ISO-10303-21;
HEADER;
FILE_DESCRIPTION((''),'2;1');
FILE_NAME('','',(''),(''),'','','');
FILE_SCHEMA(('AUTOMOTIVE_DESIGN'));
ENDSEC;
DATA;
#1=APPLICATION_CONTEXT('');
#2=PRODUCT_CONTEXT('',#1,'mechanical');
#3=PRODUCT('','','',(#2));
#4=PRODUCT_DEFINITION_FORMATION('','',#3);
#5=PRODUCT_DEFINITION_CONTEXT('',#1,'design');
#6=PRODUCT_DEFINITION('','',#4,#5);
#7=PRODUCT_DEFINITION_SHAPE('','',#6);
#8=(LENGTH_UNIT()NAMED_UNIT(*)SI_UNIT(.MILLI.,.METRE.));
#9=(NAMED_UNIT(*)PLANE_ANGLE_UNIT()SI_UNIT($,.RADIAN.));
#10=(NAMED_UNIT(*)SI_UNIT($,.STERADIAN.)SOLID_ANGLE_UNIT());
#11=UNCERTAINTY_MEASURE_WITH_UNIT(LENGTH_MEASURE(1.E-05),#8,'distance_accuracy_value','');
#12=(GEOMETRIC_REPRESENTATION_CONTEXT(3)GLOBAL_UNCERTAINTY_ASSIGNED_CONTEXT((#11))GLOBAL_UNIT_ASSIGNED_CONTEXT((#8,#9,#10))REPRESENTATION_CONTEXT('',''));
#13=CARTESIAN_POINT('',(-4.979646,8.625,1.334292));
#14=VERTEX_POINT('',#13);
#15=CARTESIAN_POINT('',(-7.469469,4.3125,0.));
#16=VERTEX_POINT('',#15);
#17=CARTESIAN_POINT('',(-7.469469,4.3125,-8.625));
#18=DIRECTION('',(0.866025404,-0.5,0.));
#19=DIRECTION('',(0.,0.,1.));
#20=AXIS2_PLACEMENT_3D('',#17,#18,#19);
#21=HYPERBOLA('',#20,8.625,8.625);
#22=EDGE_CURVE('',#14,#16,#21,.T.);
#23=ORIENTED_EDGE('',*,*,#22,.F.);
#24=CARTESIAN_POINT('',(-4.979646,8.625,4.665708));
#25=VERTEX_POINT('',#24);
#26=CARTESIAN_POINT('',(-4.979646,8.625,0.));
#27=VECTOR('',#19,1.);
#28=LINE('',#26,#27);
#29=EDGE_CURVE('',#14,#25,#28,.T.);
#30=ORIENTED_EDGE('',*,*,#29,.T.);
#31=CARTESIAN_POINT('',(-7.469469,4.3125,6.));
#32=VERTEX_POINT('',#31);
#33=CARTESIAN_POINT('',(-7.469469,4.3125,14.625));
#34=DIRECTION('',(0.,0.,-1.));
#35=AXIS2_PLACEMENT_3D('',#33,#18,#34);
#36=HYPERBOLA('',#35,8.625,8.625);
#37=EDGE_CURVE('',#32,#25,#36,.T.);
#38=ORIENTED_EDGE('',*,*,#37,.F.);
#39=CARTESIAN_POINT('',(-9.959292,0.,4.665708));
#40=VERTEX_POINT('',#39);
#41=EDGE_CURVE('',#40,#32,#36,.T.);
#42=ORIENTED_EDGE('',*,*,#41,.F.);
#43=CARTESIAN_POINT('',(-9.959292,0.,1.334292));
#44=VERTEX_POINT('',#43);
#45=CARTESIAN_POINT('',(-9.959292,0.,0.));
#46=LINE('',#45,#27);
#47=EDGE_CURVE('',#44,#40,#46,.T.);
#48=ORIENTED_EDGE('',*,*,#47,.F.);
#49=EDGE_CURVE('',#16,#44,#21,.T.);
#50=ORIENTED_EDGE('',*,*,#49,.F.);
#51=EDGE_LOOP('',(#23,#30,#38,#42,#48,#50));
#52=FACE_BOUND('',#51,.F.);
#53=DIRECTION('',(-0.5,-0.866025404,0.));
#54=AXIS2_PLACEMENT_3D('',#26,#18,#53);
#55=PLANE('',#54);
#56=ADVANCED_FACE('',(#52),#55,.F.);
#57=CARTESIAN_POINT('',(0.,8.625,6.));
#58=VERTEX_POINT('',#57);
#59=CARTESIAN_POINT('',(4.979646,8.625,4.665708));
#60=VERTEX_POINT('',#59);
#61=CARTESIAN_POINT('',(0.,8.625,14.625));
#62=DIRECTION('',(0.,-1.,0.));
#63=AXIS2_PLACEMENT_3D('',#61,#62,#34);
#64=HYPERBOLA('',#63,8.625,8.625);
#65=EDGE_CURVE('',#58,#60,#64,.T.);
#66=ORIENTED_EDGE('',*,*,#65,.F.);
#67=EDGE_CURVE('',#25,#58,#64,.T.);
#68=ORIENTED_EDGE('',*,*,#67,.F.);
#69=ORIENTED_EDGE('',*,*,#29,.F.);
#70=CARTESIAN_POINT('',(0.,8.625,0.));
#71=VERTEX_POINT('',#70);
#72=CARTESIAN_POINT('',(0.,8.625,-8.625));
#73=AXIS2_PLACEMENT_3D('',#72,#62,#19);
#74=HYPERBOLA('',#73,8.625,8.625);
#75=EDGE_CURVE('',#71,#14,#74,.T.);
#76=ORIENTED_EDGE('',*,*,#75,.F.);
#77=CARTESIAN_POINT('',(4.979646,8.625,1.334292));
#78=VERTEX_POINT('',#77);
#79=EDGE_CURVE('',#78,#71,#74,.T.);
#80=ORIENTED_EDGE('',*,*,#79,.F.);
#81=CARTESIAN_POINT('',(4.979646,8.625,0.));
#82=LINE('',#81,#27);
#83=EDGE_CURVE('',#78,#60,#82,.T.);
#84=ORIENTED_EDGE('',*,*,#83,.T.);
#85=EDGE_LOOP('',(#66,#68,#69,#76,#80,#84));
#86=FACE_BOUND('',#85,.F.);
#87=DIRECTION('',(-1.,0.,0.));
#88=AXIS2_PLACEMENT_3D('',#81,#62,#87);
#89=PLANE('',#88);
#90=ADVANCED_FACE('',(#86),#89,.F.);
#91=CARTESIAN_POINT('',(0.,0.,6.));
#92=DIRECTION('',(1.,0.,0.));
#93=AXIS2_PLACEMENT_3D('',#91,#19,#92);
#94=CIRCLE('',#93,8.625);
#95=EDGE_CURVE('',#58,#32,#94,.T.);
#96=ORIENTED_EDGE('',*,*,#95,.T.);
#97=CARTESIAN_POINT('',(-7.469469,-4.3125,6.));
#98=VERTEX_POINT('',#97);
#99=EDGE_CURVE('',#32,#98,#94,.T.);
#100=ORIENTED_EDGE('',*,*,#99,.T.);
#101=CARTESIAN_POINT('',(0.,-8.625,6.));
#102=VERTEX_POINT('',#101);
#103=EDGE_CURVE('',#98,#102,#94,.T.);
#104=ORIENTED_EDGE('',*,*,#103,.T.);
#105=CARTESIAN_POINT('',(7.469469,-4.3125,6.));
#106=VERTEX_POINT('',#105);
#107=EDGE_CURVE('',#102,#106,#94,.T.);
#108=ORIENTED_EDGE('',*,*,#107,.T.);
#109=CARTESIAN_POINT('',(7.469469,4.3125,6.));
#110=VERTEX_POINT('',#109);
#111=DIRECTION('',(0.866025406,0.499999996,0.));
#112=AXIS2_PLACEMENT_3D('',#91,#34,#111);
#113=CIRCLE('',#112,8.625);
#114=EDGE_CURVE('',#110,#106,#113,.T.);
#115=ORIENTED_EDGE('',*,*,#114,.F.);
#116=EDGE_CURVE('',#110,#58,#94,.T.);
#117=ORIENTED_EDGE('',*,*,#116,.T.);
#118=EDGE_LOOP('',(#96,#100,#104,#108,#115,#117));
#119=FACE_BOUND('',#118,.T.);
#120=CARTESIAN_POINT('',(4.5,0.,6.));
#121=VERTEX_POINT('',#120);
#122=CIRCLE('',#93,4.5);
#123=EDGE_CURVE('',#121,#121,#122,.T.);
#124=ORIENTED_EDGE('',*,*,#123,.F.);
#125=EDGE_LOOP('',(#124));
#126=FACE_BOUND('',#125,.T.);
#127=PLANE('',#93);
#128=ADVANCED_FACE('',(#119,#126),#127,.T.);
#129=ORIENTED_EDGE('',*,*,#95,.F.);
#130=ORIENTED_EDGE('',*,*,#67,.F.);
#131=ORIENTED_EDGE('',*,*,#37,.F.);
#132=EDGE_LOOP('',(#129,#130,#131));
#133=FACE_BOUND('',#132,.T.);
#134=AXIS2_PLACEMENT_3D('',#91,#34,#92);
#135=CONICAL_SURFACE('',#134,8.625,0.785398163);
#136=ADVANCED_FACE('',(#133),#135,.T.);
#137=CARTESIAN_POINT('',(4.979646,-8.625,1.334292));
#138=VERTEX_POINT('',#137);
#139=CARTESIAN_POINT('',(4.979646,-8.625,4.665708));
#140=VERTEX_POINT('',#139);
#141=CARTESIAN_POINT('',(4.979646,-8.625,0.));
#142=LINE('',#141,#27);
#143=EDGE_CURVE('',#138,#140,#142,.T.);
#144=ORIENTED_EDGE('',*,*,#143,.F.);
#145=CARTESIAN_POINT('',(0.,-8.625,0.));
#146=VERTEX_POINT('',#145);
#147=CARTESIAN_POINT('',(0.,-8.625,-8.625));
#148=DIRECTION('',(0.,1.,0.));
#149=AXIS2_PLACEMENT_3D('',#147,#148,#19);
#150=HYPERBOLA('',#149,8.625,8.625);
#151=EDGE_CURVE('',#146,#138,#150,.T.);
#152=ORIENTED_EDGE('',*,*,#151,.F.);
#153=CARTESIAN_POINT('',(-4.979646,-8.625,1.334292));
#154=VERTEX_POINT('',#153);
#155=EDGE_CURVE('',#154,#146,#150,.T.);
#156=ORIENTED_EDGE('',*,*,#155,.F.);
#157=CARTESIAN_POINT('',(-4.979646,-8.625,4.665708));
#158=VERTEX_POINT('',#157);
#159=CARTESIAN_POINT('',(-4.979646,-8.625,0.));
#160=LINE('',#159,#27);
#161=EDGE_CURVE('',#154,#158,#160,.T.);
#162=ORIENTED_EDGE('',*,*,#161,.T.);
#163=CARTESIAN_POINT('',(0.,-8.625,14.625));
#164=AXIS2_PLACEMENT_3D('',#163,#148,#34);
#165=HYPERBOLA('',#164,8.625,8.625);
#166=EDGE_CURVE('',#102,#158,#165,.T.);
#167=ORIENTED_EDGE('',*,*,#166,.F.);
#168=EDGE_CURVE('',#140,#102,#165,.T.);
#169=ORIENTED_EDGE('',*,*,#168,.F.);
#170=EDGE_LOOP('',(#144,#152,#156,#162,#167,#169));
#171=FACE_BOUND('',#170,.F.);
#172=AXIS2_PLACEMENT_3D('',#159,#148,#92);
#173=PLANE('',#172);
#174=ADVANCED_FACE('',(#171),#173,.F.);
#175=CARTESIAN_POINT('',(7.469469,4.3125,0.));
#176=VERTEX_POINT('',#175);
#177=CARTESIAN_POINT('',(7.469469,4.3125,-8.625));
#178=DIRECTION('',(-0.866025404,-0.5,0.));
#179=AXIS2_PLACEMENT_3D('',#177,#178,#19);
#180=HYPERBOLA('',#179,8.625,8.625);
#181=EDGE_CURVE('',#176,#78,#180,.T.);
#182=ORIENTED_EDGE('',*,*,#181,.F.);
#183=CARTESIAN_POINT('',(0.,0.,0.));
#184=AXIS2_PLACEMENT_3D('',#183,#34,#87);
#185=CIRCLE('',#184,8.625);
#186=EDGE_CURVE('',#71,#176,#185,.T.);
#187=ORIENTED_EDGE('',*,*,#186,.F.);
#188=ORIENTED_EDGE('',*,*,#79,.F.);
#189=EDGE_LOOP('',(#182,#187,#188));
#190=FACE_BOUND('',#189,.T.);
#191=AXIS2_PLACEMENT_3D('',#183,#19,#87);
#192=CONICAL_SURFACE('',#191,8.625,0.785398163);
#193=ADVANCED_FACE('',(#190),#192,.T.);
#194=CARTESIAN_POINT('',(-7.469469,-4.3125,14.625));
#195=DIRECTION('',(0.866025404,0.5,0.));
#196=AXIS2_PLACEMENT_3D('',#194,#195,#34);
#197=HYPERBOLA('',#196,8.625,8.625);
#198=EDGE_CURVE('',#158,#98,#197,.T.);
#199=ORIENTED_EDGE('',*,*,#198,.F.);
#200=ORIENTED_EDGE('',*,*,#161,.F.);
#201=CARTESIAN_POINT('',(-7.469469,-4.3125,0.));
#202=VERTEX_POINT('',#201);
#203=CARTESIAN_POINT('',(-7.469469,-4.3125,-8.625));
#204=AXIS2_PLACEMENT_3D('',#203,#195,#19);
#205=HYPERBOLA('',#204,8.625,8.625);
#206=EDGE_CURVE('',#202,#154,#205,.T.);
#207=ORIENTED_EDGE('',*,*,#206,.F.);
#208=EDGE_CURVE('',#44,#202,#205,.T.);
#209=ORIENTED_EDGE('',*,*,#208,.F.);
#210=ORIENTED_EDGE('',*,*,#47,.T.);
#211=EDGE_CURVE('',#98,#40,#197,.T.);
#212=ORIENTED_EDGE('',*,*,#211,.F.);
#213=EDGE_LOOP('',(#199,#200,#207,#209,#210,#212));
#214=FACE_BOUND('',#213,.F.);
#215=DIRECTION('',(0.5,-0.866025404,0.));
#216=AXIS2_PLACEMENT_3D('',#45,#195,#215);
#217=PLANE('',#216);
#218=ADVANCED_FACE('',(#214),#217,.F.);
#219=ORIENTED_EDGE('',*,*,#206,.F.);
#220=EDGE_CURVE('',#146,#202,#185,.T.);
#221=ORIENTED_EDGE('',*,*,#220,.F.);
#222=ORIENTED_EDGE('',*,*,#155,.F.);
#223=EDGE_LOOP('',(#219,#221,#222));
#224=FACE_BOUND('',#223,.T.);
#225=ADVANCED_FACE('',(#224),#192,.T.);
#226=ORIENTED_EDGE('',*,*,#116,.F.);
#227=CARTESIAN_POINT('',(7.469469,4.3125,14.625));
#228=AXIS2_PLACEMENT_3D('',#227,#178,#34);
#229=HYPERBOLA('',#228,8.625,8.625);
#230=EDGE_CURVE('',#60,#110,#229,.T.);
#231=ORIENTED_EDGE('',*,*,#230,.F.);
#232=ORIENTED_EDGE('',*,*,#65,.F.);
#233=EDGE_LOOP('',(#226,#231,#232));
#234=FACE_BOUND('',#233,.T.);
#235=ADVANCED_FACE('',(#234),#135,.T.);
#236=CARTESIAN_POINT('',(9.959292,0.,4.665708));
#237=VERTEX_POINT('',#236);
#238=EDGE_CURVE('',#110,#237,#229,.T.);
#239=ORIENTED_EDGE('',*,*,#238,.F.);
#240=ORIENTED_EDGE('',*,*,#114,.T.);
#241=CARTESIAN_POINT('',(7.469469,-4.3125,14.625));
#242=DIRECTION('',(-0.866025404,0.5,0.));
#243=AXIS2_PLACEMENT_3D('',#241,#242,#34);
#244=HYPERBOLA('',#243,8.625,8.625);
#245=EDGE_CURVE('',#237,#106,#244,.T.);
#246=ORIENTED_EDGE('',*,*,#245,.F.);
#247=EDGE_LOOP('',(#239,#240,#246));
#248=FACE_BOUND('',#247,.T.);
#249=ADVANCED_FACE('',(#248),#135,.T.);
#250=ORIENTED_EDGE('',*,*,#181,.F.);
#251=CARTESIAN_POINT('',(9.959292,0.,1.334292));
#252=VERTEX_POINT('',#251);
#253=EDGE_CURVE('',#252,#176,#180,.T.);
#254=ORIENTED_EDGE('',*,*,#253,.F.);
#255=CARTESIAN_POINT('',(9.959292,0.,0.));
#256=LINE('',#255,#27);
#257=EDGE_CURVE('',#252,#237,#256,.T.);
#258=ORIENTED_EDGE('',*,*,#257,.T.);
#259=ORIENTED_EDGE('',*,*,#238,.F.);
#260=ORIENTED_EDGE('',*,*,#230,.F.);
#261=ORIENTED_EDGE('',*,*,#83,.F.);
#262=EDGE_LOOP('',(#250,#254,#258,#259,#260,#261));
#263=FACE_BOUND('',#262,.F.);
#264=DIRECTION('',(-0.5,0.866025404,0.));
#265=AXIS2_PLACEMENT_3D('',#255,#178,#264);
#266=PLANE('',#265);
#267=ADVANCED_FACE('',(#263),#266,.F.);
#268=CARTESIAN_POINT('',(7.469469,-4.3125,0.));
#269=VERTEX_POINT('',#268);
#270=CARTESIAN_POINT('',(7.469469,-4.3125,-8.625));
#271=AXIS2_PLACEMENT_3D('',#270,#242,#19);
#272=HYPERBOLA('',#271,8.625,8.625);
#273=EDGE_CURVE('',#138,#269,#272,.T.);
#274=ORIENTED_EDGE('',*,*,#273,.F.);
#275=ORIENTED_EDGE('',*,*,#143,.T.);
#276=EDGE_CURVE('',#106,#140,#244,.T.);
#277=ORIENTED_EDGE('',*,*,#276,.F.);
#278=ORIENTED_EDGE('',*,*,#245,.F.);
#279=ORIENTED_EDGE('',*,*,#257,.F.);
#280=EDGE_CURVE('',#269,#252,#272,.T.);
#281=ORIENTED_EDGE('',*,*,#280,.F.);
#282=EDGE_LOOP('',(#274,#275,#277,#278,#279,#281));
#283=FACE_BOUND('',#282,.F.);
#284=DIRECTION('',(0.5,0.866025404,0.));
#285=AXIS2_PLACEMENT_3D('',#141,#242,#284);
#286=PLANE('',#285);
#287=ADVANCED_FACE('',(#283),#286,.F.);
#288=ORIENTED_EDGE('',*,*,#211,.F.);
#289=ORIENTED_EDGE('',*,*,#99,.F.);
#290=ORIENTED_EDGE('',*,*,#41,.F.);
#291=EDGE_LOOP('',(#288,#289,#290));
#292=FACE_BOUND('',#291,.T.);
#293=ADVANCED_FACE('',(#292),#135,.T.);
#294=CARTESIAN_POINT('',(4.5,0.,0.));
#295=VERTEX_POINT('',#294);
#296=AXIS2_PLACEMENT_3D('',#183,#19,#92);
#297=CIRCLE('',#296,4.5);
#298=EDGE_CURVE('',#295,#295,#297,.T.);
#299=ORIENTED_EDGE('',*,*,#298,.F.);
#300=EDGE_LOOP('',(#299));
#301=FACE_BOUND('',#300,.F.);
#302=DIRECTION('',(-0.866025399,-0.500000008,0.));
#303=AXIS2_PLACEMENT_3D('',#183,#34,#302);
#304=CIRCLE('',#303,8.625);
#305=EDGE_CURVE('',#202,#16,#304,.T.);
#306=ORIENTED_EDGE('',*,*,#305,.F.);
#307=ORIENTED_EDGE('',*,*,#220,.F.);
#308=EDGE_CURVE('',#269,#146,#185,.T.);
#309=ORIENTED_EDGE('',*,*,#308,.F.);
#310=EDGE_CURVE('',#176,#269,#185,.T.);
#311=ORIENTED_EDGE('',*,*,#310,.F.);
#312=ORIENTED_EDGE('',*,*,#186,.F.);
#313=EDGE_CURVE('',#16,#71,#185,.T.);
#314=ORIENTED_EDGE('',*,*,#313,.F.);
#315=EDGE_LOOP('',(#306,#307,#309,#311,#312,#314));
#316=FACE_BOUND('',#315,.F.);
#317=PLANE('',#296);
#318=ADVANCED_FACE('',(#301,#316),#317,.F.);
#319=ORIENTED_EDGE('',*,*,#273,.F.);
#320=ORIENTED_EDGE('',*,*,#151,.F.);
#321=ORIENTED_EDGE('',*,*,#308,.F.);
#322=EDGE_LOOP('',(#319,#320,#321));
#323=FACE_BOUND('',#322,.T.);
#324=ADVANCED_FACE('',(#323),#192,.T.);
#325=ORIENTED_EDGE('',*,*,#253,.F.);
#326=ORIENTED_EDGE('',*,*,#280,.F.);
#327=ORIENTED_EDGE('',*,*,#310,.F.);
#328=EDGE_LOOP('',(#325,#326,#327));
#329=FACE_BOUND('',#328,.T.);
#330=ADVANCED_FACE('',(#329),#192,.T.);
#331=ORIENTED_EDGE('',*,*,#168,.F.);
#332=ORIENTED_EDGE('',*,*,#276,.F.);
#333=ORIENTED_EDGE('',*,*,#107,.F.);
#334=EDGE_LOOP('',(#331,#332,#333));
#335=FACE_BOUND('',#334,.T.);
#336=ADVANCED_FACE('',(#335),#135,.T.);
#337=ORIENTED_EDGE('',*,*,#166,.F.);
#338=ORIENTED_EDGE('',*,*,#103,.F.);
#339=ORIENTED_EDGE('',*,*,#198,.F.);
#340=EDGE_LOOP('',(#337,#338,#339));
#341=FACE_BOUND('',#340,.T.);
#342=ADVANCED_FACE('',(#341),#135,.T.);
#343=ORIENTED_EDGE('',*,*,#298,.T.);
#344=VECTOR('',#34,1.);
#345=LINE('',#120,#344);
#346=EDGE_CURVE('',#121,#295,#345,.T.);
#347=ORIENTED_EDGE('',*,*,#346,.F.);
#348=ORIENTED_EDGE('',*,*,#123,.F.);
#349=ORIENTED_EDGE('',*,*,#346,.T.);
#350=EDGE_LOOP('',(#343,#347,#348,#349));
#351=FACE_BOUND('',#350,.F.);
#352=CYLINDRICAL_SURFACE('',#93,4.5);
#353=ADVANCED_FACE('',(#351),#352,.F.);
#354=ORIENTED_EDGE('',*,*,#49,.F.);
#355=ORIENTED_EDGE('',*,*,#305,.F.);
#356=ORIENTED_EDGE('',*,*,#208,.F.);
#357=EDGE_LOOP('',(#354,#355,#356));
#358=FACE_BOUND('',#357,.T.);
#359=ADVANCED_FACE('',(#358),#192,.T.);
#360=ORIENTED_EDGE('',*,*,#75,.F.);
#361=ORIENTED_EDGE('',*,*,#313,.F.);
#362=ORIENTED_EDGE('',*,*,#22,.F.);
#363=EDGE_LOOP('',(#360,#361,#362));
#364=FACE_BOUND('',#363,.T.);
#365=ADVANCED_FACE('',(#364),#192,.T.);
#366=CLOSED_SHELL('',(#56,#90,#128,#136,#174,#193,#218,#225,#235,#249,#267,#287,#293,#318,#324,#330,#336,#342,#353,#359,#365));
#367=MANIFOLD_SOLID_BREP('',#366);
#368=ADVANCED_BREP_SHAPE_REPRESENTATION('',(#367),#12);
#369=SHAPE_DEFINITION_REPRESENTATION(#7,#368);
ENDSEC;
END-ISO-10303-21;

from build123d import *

# Parameters (mm, degrees)
BOSS_EXTRUDE1_DEPTH = 6
SKETCH2_OUTSIDE_W   = 39.322
SKETCH2_OUTSIDE_H   = 36.654
SKETCH2_OUTSIDE_R   = 8.625
CUT_EXTRUDE1_DEPTH  = 6
CUT_EXTRUDE1_DRAFT  = -45
SKETCH3_OUTSIDE_W   = 39.322
SKETCH3_OUTSIDE_H   = 36.654
SKETCH3_OUTSIDE_R   = 8.625
CUT_EXTRUDE2_DEPTH  = 6
CUT_EXTRUDE2_DRAFT  = -45
SKETCH4_R           = 4.5
CUT_EXTRUDE3_DEPTH  = 7


with BuildPart() as part:
    # Sketch1 → Boss-Extrude1 (new body)
    with BuildSketch(Plane.XY):
        Polygon((9.959292144, 0), (4.979646072, 8.625), (-4.979646072, 8.625), (-9.959292144, 0), (-4.979646072, -8.625), (4.979646072, -8.625), align=None)
    extrude(amount=BOSS_EXTRUDE1_DEPTH)


with BuildPart() as cut_extrude1_tool:
    # Sketch2 outside → Cut-Extrude1 (with draft: the straight prism first)
    with BuildSketch(Plane.XY.offset(6)):
        Rectangle(SKETCH2_OUTSIDE_W, SKETCH2_OUTSIDE_H)
        Circle(SKETCH2_OUTSIDE_R, mode=Mode.SUBTRACT)
    extrude(amount=-CUT_EXTRUDE1_DEPTH)
    # Cut-Extrude1: the draft: its side faces are tilted about the plane it starts from
    cut_extrude1_sides = [cut_extrude1_tool.faces().sort_by_distance(p)[0] for p in [
        (0, -18.327, 3),
        (19.661, 0, 3),
        (0, 18.327, 3),
        (-19.661, 0, 3),
        (-8.625, 0, 3),
    ]]
    draft(cut_extrude1_sides, Plane.XY.offset(6), CUT_EXTRUDE1_DRAFT)


with BuildPart() as part_1:
    add(part.part)

    # Cut-Extrude1: cut by cut_extrude1_tool
    add(cut_extrude1_tool.part, mode=Mode.SUBTRACT)


with BuildPart() as cut_extrude2_tool:
    # Sketch3 outside → Cut-Extrude2 (with draft: the straight prism first)
    with BuildSketch(Plane(origin=(0, 0, 0), x_dir=(-1, 0, 0), z_dir=(0, 0, -1))):
        Rectangle(SKETCH3_OUTSIDE_W, SKETCH3_OUTSIDE_H)
        Circle(SKETCH3_OUTSIDE_R, mode=Mode.SUBTRACT)
    extrude(amount=-CUT_EXTRUDE2_DEPTH)
    # Cut-Extrude2: the draft: its side faces are tilted about the plane it starts from
    cut_extrude2_sides = [cut_extrude2_tool.faces().sort_by_distance(p)[0] for p in [
        (0, -18.327, 3),
        (-19.661, 0, 3),
        (0, 18.327, 3),
        (19.661, 0, 3),
        (8.625, 0, 3),
    ]]
    draft(cut_extrude2_sides, Plane(origin=(0, 0, 0), x_dir=(-1, 0, 0), z_dir=(0, 0, -1)), CUT_EXTRUDE2_DRAFT)


with BuildPart() as part_2:
    add(part_1.part)

    # Cut-Extrude2: cut by cut_extrude2_tool
    add(cut_extrude2_tool.part, mode=Mode.SUBTRACT)

    # Sketch4 → Cut-Extrude3 (cut, through all)
    with BuildSketch(Plane.XY.offset(6)):
        Circle(SKETCH4_R)
    extrude(amount=-CUT_EXTRUDE3_DEPTH, mode=Mode.SUBTRACT)


solid = part_2.part
